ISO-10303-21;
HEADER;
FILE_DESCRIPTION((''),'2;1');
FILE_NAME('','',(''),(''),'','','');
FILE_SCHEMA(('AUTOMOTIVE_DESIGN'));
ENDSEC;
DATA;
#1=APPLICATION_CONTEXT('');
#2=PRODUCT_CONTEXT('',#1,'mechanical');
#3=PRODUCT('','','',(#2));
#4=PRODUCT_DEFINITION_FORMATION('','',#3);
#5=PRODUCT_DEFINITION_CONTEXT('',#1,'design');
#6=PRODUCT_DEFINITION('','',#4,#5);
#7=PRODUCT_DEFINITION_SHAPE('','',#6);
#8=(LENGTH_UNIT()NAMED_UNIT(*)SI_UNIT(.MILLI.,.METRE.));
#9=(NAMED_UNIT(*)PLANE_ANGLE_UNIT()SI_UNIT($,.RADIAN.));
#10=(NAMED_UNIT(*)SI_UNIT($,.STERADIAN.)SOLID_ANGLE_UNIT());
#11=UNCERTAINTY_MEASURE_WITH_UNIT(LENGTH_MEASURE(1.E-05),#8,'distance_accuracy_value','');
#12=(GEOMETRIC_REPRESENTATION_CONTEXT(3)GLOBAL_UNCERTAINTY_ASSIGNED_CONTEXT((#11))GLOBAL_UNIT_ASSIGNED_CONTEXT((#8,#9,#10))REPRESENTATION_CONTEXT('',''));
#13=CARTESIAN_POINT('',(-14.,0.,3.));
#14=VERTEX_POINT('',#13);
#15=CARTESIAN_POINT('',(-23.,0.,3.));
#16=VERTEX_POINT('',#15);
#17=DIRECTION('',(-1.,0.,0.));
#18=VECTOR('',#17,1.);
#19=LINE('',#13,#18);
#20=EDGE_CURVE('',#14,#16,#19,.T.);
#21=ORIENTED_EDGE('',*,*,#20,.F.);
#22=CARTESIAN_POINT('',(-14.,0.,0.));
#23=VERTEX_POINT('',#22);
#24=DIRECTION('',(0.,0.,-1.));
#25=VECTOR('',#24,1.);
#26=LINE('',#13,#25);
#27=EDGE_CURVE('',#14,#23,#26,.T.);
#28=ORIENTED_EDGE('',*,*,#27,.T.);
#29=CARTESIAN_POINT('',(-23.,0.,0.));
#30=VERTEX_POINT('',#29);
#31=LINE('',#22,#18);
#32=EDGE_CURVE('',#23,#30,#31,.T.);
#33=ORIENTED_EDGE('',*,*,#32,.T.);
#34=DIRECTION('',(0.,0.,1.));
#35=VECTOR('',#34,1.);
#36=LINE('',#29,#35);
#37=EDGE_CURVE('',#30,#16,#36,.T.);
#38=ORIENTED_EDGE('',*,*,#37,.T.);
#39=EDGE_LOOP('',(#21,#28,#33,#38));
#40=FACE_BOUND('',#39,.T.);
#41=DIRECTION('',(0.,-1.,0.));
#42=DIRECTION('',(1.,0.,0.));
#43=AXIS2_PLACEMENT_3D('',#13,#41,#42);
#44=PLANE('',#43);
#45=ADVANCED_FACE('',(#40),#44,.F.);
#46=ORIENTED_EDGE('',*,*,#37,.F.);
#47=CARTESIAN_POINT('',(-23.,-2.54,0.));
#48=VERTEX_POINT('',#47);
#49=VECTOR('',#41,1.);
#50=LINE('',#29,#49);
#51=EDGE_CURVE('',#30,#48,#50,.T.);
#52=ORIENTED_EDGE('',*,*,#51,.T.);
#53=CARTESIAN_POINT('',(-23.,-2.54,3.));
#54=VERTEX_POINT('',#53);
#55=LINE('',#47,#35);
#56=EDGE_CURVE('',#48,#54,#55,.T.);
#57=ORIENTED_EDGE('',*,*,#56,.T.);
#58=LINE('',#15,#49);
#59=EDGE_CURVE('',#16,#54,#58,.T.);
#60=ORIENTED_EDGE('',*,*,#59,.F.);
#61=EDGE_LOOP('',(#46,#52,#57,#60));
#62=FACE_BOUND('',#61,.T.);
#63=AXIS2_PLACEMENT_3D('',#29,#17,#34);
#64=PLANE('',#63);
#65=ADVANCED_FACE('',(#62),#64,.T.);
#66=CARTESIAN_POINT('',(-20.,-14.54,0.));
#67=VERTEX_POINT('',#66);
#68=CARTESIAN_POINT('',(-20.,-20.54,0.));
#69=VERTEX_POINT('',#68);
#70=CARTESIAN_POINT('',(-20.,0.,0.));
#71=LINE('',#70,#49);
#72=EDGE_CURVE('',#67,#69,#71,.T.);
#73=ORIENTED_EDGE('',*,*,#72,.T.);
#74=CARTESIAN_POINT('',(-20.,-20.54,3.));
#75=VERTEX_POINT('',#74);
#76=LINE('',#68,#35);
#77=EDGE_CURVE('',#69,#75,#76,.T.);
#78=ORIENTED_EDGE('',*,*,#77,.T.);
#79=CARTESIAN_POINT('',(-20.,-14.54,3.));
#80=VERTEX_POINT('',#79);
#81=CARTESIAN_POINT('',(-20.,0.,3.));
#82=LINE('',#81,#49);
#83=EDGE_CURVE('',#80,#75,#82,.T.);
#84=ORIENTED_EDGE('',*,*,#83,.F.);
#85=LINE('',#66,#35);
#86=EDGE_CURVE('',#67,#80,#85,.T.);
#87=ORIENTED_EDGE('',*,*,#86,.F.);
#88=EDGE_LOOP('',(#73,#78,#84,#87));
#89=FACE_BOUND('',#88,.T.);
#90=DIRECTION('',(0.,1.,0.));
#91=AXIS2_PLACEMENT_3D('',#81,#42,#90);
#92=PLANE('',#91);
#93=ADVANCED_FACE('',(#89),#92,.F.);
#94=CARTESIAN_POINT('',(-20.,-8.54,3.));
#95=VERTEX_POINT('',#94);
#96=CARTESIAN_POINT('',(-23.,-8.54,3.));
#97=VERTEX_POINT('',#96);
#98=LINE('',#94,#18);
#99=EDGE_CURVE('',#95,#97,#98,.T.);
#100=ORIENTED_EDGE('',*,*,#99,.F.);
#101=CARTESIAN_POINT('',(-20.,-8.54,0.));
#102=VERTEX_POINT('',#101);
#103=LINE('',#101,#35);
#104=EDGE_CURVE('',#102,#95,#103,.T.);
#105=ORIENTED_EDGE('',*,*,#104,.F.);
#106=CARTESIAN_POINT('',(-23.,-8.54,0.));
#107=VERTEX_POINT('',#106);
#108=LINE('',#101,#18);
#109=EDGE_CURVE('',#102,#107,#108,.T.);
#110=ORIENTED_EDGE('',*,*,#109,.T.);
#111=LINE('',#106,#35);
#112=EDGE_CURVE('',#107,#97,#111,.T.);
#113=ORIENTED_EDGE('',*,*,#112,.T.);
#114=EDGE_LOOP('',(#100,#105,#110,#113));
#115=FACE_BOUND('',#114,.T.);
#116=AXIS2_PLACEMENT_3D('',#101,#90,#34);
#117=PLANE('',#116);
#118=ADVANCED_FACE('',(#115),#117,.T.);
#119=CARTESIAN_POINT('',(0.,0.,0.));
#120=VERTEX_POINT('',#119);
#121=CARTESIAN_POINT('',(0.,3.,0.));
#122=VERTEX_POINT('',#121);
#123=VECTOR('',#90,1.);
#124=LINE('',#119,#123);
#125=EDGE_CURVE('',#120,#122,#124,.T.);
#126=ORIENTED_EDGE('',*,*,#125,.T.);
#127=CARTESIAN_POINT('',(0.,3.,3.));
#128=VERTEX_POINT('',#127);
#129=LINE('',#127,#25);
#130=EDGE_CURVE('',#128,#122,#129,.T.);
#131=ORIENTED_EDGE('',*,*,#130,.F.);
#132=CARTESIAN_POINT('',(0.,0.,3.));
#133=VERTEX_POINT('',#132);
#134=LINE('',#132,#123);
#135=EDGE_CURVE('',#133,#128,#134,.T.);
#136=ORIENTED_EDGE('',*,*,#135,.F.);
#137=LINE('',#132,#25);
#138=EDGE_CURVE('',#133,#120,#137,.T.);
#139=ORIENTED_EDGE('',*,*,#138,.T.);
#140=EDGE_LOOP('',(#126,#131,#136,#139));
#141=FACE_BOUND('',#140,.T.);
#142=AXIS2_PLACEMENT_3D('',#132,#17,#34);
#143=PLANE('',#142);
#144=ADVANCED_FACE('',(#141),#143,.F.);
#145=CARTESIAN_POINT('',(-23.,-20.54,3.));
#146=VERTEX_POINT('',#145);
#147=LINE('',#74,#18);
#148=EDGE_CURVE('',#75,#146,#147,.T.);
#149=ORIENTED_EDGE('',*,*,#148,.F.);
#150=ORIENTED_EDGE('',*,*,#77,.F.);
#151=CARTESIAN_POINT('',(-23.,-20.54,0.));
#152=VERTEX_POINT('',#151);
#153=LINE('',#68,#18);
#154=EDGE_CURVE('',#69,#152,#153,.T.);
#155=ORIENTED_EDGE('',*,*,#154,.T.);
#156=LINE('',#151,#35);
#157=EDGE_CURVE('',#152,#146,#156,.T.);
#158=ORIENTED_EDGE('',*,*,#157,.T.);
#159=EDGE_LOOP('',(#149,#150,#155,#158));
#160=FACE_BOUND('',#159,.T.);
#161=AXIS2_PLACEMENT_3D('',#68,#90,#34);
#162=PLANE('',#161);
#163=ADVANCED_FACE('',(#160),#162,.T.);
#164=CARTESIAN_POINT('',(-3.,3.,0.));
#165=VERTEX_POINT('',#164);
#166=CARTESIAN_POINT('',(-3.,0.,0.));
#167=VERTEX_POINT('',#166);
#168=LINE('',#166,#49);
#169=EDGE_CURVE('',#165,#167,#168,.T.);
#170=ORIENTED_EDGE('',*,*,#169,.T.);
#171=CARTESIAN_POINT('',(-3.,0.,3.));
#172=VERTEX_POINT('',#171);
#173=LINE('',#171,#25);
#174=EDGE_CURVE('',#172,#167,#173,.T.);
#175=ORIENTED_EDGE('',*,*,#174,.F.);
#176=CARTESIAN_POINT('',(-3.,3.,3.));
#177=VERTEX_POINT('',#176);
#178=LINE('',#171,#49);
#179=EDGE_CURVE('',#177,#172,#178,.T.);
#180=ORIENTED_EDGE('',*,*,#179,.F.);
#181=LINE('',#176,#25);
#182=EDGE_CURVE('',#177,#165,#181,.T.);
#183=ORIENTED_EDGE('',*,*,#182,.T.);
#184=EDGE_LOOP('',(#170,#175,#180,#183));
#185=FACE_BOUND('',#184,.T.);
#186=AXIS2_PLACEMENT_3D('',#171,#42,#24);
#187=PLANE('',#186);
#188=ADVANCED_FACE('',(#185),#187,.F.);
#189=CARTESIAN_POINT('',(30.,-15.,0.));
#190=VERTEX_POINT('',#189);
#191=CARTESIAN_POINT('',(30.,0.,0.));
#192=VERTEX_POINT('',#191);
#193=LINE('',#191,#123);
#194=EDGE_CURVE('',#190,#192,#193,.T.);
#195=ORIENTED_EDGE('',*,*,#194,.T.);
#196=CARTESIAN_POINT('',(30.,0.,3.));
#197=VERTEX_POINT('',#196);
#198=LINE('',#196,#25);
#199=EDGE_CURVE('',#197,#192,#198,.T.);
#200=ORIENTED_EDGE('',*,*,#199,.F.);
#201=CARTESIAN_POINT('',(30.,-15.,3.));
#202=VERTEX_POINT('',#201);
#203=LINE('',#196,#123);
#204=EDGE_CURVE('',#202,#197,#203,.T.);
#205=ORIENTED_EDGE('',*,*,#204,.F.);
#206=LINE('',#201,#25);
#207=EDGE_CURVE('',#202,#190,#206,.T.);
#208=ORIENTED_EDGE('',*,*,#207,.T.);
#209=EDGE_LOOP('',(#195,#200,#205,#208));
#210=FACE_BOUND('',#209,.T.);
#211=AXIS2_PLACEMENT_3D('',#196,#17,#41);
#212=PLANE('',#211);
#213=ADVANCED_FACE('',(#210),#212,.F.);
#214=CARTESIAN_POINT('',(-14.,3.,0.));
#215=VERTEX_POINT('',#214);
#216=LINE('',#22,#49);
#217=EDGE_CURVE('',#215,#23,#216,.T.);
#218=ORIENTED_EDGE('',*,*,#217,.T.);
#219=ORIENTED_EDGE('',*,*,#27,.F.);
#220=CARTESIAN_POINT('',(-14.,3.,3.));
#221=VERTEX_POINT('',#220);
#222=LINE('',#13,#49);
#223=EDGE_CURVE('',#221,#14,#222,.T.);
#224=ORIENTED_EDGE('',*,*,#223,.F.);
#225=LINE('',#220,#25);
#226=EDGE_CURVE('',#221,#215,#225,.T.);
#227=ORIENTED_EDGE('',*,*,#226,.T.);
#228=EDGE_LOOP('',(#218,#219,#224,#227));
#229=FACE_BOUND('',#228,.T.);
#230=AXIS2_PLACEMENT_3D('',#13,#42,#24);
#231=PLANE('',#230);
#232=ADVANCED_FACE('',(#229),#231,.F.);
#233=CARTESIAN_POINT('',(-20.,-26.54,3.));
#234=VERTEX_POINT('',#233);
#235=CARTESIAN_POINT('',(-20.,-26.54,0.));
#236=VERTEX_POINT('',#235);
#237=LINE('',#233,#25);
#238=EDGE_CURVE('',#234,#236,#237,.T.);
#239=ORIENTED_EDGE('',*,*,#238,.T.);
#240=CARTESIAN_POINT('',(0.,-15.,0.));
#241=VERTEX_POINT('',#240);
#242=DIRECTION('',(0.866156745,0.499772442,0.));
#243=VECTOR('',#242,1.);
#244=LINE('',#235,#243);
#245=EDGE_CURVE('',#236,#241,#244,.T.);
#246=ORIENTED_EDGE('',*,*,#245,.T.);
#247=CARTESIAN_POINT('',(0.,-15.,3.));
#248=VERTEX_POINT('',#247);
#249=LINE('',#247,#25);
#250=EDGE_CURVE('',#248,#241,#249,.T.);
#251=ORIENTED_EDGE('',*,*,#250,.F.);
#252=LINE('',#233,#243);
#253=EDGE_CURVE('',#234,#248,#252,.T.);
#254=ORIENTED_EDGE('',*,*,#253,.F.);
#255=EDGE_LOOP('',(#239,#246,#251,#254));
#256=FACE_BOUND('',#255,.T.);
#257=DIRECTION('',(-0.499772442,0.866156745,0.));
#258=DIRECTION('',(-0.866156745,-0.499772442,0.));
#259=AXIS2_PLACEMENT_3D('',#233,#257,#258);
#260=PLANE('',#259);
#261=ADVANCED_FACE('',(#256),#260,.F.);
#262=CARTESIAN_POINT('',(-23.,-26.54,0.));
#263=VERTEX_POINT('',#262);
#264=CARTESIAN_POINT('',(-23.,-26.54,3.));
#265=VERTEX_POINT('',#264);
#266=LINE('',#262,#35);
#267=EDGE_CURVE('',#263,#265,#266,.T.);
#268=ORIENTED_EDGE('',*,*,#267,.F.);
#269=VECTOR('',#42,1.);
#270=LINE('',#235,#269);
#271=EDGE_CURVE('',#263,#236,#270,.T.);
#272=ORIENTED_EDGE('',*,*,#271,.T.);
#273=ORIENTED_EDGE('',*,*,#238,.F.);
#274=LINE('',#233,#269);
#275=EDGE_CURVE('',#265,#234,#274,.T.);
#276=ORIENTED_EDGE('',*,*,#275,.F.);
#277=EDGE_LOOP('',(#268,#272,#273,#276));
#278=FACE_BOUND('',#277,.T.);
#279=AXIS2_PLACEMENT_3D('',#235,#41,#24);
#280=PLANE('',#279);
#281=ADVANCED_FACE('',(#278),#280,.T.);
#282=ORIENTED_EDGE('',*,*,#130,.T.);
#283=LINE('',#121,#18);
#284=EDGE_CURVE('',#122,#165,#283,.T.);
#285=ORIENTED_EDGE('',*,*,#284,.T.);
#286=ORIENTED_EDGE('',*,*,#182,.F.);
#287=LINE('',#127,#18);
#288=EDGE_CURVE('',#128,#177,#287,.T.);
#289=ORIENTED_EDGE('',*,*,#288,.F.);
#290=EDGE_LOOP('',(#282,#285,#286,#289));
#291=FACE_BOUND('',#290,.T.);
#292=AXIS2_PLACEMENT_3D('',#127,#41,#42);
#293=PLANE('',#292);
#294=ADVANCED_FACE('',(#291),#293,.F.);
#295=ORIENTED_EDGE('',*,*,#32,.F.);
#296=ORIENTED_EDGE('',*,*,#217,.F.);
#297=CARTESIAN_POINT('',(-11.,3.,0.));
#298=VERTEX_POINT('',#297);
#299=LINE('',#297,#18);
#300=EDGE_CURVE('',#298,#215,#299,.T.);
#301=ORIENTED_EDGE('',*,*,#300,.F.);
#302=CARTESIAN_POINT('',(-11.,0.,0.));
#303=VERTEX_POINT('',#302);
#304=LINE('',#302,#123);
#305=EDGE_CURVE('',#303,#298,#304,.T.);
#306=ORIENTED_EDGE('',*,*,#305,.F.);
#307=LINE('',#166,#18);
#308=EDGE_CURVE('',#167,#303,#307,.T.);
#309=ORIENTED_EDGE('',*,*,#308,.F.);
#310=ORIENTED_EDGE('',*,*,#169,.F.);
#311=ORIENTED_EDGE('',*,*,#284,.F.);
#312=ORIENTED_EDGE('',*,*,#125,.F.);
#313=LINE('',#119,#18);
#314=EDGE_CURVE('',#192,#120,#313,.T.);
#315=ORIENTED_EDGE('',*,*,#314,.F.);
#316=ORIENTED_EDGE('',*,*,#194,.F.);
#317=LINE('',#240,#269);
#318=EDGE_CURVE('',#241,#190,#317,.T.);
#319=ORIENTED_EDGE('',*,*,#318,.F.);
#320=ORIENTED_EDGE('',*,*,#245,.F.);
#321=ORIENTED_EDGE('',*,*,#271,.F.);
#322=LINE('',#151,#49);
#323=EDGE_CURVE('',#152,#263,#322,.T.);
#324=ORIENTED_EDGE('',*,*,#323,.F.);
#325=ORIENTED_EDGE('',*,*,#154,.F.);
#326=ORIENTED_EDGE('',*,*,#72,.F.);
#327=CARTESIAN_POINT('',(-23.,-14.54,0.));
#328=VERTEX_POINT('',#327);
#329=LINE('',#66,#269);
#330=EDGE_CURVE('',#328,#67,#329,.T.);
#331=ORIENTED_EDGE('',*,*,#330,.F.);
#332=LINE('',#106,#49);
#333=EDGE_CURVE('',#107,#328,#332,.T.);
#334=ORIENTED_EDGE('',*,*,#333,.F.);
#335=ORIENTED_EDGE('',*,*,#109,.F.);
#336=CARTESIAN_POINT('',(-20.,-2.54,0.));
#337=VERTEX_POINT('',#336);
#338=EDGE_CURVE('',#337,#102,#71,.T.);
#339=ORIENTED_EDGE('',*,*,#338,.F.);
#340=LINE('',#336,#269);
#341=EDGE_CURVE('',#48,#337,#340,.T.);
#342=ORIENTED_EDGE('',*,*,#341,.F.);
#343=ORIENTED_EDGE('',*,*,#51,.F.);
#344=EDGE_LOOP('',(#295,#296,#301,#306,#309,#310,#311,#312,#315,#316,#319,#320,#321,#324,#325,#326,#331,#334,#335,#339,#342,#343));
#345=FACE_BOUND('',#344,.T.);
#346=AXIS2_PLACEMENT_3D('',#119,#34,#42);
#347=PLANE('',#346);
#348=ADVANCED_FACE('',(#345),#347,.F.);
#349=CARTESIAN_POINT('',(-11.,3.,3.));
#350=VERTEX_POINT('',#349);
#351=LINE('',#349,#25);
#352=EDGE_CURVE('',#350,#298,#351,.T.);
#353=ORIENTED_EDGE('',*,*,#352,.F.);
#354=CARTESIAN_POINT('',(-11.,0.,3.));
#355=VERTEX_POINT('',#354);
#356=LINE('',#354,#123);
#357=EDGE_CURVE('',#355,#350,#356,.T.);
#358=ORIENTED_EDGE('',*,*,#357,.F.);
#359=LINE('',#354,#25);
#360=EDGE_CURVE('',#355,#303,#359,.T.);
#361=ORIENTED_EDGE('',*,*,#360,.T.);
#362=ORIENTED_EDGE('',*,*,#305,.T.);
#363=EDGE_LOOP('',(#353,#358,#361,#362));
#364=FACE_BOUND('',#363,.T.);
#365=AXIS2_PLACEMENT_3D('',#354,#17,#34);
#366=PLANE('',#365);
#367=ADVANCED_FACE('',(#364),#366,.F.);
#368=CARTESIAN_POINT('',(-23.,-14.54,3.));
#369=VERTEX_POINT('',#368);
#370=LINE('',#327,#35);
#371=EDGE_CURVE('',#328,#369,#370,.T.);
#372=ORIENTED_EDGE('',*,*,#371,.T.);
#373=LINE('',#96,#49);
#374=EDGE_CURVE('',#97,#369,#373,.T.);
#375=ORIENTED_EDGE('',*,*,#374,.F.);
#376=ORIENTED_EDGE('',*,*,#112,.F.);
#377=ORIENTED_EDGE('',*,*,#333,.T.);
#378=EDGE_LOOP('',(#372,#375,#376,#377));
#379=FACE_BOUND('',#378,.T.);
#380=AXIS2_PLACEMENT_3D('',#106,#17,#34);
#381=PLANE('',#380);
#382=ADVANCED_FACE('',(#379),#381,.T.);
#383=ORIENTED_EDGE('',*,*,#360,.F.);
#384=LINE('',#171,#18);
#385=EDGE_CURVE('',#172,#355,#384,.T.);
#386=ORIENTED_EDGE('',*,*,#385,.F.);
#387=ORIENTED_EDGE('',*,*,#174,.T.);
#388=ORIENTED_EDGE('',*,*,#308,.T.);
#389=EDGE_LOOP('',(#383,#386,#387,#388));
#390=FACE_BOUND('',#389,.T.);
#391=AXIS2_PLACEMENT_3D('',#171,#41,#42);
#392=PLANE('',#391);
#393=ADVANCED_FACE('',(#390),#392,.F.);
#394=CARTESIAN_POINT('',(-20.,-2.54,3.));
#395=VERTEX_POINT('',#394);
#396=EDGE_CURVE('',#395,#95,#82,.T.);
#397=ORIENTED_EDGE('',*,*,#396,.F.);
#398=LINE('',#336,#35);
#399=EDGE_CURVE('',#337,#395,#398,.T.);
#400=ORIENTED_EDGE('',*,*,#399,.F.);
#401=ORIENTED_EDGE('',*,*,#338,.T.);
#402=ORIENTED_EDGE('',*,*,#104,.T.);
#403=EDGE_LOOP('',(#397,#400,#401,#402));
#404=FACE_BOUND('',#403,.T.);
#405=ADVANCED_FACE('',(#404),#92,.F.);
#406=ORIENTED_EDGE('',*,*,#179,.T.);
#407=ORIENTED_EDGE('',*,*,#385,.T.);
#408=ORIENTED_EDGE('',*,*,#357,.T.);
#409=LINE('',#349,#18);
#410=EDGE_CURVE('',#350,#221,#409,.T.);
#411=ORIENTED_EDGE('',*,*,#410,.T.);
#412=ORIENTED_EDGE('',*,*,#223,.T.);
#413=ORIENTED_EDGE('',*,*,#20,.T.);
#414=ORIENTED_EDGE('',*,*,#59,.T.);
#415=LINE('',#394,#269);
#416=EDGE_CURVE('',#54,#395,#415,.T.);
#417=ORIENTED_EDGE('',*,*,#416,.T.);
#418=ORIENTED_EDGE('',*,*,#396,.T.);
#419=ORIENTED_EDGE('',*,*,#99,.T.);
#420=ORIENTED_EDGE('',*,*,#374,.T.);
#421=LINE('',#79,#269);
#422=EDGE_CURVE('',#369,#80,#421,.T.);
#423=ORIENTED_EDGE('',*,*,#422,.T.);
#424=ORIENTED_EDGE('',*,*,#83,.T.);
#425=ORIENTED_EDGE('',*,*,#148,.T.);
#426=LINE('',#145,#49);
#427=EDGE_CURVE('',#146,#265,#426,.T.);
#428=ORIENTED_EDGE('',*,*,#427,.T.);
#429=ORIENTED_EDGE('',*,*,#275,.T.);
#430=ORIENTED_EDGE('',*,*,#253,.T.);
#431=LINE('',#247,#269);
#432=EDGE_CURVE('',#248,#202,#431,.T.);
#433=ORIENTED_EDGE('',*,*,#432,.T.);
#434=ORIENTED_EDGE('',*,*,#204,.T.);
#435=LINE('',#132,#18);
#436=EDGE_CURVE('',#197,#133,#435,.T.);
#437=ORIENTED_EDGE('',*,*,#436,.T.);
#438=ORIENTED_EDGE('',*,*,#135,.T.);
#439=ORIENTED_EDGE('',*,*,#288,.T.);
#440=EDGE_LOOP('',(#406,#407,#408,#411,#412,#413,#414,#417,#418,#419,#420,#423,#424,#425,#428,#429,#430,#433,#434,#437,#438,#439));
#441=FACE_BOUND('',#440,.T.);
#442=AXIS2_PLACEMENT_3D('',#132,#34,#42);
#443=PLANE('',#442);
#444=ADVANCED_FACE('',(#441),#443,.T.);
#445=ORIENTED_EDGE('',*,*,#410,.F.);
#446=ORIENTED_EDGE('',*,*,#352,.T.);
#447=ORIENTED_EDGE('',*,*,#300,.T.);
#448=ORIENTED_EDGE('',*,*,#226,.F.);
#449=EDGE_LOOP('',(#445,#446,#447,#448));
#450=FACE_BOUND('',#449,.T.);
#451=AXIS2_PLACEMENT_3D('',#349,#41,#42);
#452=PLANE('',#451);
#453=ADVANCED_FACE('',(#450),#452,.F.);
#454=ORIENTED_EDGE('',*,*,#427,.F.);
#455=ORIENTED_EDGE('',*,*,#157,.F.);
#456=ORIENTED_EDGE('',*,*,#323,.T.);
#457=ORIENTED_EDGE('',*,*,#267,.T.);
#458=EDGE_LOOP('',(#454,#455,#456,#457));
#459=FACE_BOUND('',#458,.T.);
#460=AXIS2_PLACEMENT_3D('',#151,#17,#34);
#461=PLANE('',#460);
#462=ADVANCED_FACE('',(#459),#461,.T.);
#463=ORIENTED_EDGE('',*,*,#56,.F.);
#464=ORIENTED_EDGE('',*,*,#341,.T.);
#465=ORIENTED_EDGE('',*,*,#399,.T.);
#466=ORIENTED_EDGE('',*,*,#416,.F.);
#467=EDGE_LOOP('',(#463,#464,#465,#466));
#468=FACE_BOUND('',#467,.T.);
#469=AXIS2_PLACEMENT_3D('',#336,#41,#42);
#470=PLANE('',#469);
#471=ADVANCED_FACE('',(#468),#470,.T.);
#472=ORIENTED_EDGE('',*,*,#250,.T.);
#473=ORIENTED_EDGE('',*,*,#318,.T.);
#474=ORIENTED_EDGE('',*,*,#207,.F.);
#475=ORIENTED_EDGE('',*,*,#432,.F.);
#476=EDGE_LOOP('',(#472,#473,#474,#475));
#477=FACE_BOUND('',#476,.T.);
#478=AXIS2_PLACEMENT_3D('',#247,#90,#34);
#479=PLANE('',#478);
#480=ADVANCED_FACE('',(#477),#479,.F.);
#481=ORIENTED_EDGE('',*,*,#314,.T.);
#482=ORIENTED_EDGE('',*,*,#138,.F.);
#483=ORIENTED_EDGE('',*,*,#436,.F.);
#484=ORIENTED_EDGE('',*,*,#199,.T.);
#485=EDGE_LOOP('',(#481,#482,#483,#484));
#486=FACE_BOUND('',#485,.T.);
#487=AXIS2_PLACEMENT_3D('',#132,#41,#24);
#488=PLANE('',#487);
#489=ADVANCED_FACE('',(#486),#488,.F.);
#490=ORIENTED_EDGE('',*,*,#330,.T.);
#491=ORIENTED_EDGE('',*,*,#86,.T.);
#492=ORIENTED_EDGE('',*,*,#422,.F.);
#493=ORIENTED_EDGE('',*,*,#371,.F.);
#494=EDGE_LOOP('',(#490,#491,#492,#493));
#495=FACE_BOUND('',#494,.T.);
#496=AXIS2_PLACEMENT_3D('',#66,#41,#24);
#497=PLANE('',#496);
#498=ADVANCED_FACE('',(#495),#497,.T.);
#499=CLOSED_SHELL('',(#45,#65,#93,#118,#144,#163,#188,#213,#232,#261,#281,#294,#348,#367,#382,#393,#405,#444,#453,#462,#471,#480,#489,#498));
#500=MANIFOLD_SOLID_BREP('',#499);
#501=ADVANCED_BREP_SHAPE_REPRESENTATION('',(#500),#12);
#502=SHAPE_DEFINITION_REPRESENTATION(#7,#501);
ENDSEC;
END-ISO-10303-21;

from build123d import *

# Parameters (mm, degrees)
BOSS_EXTRUDE1_DEPTH = 3
SKETCH2_W           = 3
SKETCH2_H           = 2.54
SKETCH2_H_2         = 6
BOSS_EXTRUDE2_DEPTH = 3


with BuildPart() as part:
    # Sketch1 → Boss-Extrude1 (new body)
    with BuildSketch(Plane.XY):
        Polygon((-3, 0), (-11, 0), (-11, 3), (-14, 3), (-14, 0), (-20, 0), (-20, -26.54), (0, -15), (30, -15), (30, 0), (0, 0), (0, 3), (-3, 3), align=None)
    extrude(amount=BOSS_EXTRUDE1_DEPTH)

    # Sketch2 → Boss-Extrude2 (add)
    with BuildSketch(Plane.XY.offset(3)):
        with Locations((-21.5, -1.27)):
            Rectangle(SKETCH2_W, SKETCH2_H)
        with Locations((-21.5, -11.54)):
            Rectangle(SKETCH2_W, SKETCH2_H_2)
        with Locations((-21.5, -23.54)):
            Rectangle(SKETCH2_W, SKETCH2_H_2)
    extrude(amount=-BOSS_EXTRUDE2_DEPTH)


solid = part.part
